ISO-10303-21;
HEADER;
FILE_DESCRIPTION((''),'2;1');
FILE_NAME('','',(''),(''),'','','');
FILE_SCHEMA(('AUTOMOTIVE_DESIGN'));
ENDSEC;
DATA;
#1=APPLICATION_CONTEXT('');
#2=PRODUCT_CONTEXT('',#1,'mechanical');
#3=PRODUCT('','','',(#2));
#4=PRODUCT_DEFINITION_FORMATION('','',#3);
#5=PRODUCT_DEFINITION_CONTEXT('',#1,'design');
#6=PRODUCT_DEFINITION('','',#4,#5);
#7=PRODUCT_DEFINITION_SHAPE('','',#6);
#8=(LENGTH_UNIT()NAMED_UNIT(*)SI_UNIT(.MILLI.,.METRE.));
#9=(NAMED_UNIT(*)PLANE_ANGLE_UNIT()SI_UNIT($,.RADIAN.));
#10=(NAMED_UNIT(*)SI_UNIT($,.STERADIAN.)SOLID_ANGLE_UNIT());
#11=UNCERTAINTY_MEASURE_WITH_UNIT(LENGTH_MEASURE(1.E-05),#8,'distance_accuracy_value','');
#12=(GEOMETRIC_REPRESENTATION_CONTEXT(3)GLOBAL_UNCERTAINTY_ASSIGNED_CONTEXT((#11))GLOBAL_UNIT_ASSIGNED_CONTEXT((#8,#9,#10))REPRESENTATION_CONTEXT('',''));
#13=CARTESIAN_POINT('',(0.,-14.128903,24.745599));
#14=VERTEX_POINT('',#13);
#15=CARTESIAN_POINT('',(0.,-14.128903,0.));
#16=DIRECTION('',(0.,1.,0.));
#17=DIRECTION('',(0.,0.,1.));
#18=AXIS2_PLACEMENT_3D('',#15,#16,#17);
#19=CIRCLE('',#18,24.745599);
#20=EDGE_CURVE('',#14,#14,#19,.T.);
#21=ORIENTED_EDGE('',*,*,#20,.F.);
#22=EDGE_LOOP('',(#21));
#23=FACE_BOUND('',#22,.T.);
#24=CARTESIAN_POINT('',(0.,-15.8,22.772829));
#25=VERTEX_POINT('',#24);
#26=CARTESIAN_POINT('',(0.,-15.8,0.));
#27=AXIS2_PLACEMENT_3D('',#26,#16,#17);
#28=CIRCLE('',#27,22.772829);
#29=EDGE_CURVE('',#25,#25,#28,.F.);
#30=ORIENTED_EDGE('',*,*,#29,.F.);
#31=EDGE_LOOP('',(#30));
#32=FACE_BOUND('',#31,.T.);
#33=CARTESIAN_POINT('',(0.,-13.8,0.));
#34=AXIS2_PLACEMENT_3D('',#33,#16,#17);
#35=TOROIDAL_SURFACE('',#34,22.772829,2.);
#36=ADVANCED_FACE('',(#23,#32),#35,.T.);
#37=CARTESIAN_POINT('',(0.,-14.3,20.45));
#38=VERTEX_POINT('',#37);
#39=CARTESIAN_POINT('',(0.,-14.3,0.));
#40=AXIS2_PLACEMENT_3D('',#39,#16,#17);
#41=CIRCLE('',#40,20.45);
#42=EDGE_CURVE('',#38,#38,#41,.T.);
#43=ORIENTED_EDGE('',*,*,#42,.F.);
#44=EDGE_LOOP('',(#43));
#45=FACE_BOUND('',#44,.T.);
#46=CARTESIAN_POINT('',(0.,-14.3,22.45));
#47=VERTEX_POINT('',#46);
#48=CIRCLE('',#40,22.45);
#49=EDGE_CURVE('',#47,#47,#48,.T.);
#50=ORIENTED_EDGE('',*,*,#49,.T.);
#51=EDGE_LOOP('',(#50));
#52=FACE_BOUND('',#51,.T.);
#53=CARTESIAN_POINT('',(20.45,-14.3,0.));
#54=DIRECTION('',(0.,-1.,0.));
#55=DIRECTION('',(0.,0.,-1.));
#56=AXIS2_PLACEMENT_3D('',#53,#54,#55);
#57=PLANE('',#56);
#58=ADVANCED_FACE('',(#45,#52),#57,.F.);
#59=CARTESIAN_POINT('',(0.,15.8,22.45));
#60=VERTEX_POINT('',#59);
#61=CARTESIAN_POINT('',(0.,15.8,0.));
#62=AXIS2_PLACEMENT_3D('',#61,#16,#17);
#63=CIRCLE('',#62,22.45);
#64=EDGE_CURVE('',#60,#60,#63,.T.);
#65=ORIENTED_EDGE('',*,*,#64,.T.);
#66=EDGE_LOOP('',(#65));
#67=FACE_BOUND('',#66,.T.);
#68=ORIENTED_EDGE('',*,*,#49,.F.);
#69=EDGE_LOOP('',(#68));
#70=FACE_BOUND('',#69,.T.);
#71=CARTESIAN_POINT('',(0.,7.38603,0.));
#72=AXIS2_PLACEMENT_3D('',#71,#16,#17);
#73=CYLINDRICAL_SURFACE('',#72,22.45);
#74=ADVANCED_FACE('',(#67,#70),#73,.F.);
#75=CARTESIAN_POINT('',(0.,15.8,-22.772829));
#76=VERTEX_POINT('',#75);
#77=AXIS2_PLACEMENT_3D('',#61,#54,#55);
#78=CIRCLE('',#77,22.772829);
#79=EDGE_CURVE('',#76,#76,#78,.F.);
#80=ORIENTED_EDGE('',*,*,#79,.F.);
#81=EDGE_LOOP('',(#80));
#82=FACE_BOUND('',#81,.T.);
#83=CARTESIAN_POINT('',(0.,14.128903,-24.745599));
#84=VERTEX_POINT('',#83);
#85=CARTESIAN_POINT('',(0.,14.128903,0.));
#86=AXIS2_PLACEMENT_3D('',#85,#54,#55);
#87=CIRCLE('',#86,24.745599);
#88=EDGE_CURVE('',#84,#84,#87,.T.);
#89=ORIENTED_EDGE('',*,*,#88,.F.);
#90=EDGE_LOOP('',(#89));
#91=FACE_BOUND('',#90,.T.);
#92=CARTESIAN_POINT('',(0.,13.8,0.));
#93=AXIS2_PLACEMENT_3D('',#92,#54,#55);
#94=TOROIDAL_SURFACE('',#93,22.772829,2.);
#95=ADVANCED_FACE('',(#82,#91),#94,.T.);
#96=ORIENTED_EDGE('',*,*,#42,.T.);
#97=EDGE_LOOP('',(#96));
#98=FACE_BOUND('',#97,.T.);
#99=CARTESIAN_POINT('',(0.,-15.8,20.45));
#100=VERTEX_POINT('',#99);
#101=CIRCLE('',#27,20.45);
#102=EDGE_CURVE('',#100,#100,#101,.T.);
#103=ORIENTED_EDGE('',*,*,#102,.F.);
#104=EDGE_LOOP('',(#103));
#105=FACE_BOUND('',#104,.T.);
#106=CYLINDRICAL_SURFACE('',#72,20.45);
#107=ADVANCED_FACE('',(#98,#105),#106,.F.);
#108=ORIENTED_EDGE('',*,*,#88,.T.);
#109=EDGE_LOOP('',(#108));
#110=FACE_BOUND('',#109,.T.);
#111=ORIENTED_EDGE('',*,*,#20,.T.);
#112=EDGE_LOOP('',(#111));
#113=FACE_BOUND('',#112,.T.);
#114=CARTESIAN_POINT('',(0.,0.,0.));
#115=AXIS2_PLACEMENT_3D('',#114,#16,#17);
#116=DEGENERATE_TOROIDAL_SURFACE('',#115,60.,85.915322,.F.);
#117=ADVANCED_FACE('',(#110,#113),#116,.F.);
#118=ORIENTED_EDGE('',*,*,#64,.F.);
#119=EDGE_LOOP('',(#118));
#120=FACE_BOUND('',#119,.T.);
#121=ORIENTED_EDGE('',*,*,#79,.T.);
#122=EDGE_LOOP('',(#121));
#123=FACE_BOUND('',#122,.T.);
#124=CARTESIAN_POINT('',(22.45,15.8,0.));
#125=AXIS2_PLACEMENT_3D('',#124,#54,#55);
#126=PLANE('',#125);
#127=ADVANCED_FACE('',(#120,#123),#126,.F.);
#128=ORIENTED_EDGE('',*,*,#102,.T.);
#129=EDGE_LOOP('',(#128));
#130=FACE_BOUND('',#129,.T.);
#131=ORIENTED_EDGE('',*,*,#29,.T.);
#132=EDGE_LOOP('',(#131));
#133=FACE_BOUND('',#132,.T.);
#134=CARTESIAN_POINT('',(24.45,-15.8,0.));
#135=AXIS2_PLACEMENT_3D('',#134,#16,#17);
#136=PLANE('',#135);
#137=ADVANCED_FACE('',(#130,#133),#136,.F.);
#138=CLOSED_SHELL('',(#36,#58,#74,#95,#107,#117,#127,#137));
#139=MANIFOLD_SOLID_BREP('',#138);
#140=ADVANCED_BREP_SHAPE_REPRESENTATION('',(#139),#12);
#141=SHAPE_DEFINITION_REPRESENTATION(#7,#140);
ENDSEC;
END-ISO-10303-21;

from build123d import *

# Parameters (mm, degrees)
FILLET1_R = 2


with BuildPart() as part:
    # Sketch1 → Revolve3 (revolve)
    with BuildSketch(Plane.XY, mode=Mode.PRIVATE) as revolve3_sk:
        with BuildLine():
            Line((20.45, -14.3), (22.45, -14.3))
            Line((22.45, -14.3), (22.45, 15.8))
            Line((22.45, 15.8), (24.45, 15.8))
            ThreePointArc((24.45, 15.8), (25.915321684, 0), (24.45, -15.8))
            Line((24.45, -15.8), (20.45, -15.8))
            Line((20.45, -15.8), (20.45, -14.3))
        make_face()
    revolve(revolve3_sk.sketch.rotate(Axis((0, 7.38603037, 0), (0, -1, 0)), 90), axis=Axis((0, 7.38603037, 0), (0, -1, 0)))

    # Fillet1
    fillet1_edges = [part.edges().sort_by_distance(p)[0] for p in [
        (0, -15.8, -24.45),
        (0, 15.8, -24.45),
    ]]
    fillet(fillet1_edges, radius=FILLET1_R)


solid = part.part
